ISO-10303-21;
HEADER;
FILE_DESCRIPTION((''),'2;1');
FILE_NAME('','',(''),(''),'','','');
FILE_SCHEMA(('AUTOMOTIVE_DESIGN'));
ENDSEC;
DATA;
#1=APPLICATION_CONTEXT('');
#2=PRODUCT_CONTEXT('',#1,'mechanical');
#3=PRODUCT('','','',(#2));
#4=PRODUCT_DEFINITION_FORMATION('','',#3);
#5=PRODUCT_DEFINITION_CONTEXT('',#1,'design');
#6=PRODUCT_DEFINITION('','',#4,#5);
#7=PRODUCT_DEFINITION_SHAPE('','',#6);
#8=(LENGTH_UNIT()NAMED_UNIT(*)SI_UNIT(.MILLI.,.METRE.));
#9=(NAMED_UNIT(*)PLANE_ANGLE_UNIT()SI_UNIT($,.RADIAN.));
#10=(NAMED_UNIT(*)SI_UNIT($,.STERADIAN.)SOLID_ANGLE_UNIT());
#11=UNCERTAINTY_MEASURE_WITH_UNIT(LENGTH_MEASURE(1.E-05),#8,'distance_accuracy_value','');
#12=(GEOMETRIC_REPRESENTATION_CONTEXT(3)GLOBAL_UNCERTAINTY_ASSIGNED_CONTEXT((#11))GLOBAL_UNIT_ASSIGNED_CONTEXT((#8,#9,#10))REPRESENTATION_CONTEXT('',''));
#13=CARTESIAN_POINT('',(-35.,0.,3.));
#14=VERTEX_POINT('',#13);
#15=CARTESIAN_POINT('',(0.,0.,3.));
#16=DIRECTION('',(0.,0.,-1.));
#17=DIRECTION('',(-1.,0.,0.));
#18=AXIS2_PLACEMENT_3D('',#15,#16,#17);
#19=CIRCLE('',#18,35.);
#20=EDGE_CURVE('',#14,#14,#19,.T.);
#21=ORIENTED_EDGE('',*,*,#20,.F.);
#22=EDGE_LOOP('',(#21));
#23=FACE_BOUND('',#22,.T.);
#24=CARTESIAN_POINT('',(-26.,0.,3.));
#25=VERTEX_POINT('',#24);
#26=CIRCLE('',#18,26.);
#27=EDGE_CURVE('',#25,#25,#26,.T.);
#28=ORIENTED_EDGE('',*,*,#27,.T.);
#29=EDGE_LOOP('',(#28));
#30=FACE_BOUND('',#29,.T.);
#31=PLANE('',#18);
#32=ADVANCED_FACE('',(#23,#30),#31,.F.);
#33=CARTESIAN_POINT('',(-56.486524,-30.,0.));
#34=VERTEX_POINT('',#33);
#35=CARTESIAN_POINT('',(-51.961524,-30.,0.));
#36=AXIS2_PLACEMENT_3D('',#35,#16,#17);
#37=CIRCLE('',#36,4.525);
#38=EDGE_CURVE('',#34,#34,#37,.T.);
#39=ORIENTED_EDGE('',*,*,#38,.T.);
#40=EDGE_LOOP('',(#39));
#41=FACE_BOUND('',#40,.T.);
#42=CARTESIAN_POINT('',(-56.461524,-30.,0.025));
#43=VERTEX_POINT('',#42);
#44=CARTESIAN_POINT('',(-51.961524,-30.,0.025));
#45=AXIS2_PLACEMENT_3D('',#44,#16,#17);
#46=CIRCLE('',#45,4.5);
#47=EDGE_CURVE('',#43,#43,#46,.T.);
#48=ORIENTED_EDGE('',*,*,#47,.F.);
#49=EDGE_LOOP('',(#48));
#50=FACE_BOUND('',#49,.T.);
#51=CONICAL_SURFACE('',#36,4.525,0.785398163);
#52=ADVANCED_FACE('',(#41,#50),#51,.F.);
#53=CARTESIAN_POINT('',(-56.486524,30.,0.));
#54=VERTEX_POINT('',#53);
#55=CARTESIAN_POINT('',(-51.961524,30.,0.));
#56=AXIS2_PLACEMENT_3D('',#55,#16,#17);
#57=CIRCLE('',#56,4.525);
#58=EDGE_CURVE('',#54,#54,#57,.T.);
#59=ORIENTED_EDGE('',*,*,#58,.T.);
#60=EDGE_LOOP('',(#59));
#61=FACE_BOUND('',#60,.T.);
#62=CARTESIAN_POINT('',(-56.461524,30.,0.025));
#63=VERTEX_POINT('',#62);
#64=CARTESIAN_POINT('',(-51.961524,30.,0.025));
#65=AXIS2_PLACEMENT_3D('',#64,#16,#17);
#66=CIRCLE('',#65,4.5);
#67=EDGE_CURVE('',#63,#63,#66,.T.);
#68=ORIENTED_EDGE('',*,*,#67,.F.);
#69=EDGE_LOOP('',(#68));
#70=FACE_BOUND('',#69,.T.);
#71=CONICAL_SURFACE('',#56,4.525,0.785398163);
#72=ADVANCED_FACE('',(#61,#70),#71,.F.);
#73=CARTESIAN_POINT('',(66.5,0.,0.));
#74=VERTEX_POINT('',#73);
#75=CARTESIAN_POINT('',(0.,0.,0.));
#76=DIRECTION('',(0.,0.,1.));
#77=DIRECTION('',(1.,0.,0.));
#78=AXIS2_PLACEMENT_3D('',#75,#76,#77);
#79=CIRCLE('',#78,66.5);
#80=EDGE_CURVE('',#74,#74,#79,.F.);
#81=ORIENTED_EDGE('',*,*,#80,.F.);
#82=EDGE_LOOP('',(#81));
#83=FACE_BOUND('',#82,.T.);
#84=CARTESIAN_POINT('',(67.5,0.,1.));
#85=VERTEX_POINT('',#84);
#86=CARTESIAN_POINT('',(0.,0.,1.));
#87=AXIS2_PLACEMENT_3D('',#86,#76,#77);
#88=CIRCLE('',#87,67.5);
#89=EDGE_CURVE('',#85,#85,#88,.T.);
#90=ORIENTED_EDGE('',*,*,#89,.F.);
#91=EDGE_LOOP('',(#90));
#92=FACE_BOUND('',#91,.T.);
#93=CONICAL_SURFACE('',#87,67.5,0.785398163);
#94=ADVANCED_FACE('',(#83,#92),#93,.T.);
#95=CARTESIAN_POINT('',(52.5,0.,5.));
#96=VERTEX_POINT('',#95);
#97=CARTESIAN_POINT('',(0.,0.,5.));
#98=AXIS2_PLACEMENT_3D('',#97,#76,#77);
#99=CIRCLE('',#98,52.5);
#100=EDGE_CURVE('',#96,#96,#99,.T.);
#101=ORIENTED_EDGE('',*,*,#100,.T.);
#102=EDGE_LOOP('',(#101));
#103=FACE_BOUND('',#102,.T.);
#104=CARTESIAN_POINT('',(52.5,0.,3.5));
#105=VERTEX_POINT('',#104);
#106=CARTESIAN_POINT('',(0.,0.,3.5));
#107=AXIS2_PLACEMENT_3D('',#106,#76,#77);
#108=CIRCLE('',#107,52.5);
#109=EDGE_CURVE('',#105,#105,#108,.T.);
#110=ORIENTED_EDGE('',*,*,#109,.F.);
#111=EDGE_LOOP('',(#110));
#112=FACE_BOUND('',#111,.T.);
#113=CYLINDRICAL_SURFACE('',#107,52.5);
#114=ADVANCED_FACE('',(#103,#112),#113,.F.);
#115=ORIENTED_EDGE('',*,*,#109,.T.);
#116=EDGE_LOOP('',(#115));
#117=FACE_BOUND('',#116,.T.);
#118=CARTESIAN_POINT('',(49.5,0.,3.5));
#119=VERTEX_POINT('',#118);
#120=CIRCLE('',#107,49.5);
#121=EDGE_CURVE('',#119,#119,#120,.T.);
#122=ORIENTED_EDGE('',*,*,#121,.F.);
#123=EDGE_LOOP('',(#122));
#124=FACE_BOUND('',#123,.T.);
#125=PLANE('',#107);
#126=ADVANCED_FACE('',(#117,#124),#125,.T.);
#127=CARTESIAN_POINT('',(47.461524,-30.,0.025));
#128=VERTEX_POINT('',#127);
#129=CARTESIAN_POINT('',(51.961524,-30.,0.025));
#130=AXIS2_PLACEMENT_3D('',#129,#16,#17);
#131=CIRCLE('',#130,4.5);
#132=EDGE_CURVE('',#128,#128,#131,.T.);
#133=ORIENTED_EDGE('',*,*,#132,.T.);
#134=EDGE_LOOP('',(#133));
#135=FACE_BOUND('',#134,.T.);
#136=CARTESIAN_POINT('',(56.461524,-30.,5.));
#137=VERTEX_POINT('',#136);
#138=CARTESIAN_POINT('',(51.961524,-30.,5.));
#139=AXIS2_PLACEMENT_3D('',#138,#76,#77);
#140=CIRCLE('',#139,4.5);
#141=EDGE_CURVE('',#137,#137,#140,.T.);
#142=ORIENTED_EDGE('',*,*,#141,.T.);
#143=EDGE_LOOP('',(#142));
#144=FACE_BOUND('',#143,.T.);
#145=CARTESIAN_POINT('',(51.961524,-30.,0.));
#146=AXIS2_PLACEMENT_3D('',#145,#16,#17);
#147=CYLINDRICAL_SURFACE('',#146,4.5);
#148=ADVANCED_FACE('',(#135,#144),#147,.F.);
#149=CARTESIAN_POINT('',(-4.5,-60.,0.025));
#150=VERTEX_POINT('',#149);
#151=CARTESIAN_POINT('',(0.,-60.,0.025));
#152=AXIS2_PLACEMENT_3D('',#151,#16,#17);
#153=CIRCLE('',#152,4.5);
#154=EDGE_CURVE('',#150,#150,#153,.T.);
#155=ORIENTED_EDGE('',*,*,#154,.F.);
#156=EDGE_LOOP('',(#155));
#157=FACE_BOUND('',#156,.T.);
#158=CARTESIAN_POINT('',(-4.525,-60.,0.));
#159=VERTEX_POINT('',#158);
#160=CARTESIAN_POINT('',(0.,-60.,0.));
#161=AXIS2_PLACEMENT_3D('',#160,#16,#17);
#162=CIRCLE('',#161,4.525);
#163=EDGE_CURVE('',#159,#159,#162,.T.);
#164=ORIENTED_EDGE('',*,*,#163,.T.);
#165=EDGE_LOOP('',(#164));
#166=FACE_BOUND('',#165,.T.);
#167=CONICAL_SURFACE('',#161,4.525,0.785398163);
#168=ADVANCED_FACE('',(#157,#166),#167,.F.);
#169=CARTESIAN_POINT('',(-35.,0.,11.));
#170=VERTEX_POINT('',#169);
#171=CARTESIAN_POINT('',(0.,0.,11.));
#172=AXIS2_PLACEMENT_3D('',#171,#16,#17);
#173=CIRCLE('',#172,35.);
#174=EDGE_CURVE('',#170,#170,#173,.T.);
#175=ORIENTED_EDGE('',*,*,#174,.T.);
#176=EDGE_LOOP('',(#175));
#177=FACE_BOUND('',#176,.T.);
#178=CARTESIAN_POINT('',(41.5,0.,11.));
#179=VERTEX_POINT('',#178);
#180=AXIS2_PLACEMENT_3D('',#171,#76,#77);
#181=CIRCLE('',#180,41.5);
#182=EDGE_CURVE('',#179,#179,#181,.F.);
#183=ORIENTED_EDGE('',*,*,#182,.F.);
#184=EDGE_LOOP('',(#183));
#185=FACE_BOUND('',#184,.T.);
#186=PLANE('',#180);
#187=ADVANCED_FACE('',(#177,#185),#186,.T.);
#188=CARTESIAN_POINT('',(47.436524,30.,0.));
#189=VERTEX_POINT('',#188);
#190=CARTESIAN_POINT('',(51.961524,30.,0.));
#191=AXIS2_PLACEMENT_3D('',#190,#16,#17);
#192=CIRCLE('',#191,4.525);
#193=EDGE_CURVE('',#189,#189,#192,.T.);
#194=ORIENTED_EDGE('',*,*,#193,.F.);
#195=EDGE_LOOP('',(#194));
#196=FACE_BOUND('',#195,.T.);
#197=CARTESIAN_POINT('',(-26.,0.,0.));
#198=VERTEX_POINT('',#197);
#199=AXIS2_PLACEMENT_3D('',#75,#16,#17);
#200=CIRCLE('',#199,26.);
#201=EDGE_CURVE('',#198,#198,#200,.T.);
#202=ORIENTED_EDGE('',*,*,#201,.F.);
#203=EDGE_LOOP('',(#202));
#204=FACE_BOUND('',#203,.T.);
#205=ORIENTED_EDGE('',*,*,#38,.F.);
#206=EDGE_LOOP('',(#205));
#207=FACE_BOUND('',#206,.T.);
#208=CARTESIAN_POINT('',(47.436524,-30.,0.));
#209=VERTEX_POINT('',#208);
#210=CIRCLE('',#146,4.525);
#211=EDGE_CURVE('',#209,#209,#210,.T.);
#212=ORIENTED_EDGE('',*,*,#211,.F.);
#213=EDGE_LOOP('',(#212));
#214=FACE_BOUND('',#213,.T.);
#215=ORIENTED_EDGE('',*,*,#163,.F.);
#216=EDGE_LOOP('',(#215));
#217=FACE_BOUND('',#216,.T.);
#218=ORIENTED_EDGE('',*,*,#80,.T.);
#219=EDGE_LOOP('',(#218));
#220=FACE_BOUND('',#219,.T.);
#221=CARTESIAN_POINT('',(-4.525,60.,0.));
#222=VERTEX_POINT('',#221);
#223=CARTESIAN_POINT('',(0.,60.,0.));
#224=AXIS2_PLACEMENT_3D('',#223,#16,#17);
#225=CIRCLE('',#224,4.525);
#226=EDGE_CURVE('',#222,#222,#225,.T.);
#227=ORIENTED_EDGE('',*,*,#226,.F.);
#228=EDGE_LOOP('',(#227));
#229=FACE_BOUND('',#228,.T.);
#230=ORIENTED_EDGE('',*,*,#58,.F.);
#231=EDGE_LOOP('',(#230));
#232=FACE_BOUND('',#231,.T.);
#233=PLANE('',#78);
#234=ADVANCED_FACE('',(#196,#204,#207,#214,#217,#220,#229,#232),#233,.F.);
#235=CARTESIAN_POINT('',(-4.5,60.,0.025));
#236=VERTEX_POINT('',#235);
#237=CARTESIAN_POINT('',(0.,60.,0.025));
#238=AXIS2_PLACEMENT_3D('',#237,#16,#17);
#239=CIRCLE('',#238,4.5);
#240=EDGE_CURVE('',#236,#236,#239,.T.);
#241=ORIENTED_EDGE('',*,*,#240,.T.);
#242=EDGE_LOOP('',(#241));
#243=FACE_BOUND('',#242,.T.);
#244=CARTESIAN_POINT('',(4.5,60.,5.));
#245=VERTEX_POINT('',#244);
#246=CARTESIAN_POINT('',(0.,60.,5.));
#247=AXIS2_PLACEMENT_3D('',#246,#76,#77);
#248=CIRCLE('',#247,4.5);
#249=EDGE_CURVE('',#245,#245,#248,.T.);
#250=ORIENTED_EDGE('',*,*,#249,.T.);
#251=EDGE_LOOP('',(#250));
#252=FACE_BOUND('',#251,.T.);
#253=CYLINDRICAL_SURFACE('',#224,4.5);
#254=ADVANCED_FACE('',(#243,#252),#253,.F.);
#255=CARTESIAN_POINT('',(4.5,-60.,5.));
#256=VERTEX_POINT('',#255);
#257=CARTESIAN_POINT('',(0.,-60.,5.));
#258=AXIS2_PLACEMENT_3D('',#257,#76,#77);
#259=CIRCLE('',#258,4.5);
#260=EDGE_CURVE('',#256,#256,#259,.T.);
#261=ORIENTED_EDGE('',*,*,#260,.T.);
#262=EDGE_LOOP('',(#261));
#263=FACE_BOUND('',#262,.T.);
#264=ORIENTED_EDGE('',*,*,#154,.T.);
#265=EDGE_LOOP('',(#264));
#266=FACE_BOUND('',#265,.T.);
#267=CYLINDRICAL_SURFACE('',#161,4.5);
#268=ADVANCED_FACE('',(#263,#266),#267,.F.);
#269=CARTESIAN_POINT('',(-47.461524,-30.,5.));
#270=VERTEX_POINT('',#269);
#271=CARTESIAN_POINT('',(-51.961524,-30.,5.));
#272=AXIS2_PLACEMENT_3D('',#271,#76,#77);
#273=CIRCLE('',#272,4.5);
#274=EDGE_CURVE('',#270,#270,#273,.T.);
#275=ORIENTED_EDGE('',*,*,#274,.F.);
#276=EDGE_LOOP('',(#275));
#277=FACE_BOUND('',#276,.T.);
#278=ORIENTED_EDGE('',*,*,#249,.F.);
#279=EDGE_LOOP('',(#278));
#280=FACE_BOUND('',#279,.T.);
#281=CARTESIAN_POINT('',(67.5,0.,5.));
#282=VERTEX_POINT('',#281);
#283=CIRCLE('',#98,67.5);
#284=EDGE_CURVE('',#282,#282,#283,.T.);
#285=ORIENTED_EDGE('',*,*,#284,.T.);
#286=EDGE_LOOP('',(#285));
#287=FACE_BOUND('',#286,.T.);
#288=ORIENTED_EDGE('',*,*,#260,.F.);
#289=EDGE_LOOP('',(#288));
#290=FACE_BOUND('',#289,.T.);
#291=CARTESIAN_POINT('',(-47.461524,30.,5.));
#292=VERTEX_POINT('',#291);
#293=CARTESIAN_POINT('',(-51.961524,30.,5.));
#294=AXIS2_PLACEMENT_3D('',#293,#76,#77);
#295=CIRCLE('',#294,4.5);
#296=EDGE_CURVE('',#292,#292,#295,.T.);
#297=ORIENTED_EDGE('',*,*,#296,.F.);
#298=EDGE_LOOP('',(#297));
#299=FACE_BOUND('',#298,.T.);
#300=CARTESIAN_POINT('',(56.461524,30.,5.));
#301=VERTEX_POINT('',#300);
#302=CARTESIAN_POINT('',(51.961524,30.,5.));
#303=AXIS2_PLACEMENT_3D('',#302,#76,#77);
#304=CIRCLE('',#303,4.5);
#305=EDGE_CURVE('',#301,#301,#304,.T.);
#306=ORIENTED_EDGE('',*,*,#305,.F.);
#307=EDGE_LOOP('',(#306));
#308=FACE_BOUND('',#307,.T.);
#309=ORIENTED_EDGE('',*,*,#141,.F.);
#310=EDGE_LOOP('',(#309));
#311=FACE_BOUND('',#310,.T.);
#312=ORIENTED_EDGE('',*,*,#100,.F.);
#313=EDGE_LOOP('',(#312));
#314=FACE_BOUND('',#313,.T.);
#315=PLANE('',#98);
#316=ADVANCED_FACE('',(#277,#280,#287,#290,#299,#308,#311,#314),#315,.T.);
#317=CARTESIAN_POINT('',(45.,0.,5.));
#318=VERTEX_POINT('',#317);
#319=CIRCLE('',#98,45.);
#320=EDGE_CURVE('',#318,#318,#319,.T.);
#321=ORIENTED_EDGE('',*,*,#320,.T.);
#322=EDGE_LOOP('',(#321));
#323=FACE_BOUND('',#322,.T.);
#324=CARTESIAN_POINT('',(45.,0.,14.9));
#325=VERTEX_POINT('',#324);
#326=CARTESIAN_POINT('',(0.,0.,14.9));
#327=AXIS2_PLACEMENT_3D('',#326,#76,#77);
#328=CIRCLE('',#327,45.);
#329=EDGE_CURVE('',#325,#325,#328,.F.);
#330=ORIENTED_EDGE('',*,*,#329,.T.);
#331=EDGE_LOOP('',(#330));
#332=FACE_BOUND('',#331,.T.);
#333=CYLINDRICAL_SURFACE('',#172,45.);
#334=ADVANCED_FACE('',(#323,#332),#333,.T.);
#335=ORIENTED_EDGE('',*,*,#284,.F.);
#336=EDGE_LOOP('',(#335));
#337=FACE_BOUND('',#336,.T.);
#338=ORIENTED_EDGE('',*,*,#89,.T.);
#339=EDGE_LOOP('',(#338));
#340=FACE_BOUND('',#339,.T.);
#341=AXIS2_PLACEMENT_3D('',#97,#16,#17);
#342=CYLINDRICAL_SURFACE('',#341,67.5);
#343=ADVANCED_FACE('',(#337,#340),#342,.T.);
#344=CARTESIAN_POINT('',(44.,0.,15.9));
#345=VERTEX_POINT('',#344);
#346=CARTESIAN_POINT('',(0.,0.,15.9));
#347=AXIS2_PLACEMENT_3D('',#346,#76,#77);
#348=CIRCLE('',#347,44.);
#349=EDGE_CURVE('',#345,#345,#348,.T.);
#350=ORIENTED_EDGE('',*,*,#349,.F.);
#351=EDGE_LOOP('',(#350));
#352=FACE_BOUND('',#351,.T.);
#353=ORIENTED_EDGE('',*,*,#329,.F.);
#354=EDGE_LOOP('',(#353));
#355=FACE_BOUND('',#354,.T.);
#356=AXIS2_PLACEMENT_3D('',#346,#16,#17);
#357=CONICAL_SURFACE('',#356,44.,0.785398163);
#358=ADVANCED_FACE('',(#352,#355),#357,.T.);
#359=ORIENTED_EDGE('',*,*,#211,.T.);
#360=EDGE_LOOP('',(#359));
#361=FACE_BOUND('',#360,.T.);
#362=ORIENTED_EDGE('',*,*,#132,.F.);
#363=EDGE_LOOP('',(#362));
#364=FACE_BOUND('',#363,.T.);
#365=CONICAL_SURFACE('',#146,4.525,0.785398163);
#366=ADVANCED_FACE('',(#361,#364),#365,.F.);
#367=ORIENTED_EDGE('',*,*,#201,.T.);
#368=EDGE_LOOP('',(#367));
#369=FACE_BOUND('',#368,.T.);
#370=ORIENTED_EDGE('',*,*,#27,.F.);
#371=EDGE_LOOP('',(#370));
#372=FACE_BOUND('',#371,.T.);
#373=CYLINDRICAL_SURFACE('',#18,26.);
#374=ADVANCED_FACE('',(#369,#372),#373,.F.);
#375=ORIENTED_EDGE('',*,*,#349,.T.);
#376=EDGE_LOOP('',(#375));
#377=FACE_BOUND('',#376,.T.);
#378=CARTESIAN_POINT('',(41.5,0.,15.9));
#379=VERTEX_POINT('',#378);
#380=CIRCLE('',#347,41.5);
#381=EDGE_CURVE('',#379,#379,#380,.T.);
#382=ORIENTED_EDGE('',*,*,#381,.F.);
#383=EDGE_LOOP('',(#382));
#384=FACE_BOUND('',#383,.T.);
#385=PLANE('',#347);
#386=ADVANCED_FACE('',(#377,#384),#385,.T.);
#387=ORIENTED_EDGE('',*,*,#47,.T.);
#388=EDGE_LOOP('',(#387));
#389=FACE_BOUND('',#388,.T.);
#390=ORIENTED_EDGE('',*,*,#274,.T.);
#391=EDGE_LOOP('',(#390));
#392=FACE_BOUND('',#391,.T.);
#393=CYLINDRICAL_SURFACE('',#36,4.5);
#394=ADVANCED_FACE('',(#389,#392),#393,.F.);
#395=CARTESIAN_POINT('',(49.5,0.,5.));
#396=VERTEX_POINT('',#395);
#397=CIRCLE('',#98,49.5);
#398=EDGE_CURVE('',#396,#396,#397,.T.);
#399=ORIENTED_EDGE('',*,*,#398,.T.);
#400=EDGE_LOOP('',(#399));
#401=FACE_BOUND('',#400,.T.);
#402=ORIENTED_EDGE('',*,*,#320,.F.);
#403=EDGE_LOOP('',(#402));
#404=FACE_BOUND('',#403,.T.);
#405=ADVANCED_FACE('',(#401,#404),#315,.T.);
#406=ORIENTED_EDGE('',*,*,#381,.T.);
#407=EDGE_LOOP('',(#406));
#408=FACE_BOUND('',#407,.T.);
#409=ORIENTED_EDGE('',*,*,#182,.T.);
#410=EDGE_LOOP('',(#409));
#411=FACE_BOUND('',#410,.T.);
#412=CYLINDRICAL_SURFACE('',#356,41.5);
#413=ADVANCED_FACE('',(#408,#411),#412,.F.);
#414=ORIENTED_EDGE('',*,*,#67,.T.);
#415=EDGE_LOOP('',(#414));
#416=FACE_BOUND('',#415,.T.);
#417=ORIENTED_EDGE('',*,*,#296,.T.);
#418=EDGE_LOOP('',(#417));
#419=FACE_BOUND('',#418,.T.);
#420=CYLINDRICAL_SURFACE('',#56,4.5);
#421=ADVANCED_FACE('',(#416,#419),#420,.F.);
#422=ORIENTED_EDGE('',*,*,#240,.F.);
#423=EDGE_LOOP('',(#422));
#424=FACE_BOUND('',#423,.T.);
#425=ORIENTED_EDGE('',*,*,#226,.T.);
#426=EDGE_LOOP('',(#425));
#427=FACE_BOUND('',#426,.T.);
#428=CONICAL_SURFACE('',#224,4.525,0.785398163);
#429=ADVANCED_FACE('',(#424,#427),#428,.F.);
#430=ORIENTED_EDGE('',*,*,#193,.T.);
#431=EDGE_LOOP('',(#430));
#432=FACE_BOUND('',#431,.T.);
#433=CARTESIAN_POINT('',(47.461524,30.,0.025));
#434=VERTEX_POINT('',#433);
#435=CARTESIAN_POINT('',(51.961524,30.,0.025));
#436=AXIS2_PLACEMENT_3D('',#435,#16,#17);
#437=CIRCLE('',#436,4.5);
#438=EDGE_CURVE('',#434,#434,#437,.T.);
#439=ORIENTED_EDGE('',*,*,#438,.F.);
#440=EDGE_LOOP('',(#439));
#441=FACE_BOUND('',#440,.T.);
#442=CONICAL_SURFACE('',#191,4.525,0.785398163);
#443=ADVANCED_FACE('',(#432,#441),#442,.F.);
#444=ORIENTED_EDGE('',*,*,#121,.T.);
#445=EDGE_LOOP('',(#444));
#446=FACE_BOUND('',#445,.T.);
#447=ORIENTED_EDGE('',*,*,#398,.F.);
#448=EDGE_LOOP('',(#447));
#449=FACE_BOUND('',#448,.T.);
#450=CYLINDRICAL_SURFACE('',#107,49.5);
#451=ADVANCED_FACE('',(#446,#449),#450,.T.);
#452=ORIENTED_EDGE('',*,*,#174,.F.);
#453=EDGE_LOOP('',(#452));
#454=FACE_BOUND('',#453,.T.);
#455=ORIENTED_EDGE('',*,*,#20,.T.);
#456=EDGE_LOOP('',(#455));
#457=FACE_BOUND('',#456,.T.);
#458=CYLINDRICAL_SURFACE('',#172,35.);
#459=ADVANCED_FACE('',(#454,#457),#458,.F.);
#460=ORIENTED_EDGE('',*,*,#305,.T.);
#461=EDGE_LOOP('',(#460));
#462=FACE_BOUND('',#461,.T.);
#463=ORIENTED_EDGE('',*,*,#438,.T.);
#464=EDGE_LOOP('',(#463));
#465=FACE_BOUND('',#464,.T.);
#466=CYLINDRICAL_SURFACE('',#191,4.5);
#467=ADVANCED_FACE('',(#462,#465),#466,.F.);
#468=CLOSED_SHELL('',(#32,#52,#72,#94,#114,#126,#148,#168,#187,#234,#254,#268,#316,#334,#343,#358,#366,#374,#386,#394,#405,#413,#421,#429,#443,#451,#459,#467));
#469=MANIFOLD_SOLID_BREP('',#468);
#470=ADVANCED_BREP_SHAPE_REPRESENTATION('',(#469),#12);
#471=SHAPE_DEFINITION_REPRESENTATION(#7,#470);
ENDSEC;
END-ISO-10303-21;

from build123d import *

# Parameters (mm, degrees)
SCHIZZO2_R                     = 67.5
ESTRUSIONE_ESTRUSIONE1_DEPTH   = 5
SCHIZZO3_R                     = 45
ESTRUSIONE_ESTRUSIONE2_DEPTH   = 6
SCHIZZO4_R                     = 26
TAGLIO_ESTRUSIONE1_DEPTH       = 3
SCHIZZO5_R                     = 35
TAGLIO_ESTRUSIONE2_DEPTH       = 9
SMUSSO1_SIZE                   = 1
FORO_PER_VITE_M8_1_D           = 9
FORO_PER_VITE_M8_1_CSINK_D     = 9.05
FORO_PER_VITE_M8_1_CSINK_ANGLE = 90
RIPETIZIONECIRCOLARE1_COUNT    = 6
SCHIZZO9_R                     = 52.5
SCHIZZO9_R_2                   = 49.5
TAGLIO_ESTRUSIONE3_DEPTH       = 1.5
SCHIZZO10_R                    = 45
SCHIZZO10_R_2                  = 41.5
ESTRUSIONE_ESTRUSIONE3_DEPTH   = 4.9
SMUSSO2_SIZE                   = 1


with BuildPart() as part:
    # Schizzo2 → Estrusione-Estrusione1 (new body)
    with BuildSketch(Plane.XY):
        Circle(SCHIZZO2_R)
    extrude(amount=ESTRUSIONE_ESTRUSIONE1_DEPTH)

    # Schizzo3 → Estrusione-Estrusione2 (add)
    with BuildSketch(Plane.XY.offset(5)):
        Circle(SCHIZZO3_R)
    extrude(amount=ESTRUSIONE_ESTRUSIONE2_DEPTH)

    # Schizzo4 → Taglio-Estrusione1 (cut)
    with BuildSketch(Plane(origin=(0, 0, 0), x_dir=(-1, 0, 0), z_dir=(0, 0, -1))):
        Circle(SCHIZZO4_R)
    extrude(amount=-TAGLIO_ESTRUSIONE1_DEPTH, mode=Mode.SUBTRACT)

    # Schizzo5 → Taglio-Estrusione2 (cut, through all)
    with BuildSketch(Plane(origin=(0, 0, 3), x_dir=(-1, 0, 0), z_dir=(0, 0, -1))):
        Circle(SCHIZZO5_R)
    extrude(amount=-TAGLIO_ESTRUSIONE2_DEPTH, mode=Mode.SUBTRACT)

    # Smusso1
    smusso1_edges = [part.edges().sort_by_distance(p)[0] for p in [
        (-67.5, 0, 0),
    ]]
    chamfer(smusso1_edges, length=SMUSSO1_SIZE)

    # Foro per Vite M8-1 (through all)
    with Locations(Plane(origin=(0, 0, 0), x_dir=(-1, 0, 0), z_dir=(0, 0, -1))):
        with Locations((0, 60)):
            foro_per_vite_m8_1 = CounterSinkHole(FORO_PER_VITE_M8_1_D / 2, FORO_PER_VITE_M8_1_CSINK_D / 2, counter_sink_angle=FORO_PER_VITE_M8_1_CSINK_ANGLE)

    # RipetizioneCircolare1: Foro per Vite M8-1 ×6 about axis
    ripetizionecircolare1_axis = Axis((0, 0, 0), (0, 0, 1))
    for i in range(1, RIPETIZIONECIRCOLARE1_COUNT):
        add(foro_per_vite_m8_1.rotate(ripetizionecircolare1_axis, i * 360 / RIPETIZIONECIRCOLARE1_COUNT), mode=Mode.SUBTRACT)

    # Schizzo9 → Taglio-Estrusione3 (cut)
    with BuildSketch(Plane.XY.offset(5)):
        Circle(SCHIZZO9_R)
        Circle(SCHIZZO9_R_2, mode=Mode.SUBTRACT)
    extrude(amount=-TAGLIO_ESTRUSIONE3_DEPTH, mode=Mode.SUBTRACT)

    # Schizzo10 → Estrusione-Estrusione3 (add)
    with BuildSketch(Plane.XY.offset(11)):
        Circle(SCHIZZO10_R)
        Circle(SCHIZZO10_R_2, mode=Mode.SUBTRACT)
    extrude(amount=ESTRUSIONE_ESTRUSIONE3_DEPTH)

    # Smusso2
    smusso2_edges = [part.edges().sort_by_distance(p)[0] for p in [
        (-45, 0, 15.9),
    ]]
    chamfer(smusso2_edges, length=SMUSSO2_SIZE)


solid = part.part
